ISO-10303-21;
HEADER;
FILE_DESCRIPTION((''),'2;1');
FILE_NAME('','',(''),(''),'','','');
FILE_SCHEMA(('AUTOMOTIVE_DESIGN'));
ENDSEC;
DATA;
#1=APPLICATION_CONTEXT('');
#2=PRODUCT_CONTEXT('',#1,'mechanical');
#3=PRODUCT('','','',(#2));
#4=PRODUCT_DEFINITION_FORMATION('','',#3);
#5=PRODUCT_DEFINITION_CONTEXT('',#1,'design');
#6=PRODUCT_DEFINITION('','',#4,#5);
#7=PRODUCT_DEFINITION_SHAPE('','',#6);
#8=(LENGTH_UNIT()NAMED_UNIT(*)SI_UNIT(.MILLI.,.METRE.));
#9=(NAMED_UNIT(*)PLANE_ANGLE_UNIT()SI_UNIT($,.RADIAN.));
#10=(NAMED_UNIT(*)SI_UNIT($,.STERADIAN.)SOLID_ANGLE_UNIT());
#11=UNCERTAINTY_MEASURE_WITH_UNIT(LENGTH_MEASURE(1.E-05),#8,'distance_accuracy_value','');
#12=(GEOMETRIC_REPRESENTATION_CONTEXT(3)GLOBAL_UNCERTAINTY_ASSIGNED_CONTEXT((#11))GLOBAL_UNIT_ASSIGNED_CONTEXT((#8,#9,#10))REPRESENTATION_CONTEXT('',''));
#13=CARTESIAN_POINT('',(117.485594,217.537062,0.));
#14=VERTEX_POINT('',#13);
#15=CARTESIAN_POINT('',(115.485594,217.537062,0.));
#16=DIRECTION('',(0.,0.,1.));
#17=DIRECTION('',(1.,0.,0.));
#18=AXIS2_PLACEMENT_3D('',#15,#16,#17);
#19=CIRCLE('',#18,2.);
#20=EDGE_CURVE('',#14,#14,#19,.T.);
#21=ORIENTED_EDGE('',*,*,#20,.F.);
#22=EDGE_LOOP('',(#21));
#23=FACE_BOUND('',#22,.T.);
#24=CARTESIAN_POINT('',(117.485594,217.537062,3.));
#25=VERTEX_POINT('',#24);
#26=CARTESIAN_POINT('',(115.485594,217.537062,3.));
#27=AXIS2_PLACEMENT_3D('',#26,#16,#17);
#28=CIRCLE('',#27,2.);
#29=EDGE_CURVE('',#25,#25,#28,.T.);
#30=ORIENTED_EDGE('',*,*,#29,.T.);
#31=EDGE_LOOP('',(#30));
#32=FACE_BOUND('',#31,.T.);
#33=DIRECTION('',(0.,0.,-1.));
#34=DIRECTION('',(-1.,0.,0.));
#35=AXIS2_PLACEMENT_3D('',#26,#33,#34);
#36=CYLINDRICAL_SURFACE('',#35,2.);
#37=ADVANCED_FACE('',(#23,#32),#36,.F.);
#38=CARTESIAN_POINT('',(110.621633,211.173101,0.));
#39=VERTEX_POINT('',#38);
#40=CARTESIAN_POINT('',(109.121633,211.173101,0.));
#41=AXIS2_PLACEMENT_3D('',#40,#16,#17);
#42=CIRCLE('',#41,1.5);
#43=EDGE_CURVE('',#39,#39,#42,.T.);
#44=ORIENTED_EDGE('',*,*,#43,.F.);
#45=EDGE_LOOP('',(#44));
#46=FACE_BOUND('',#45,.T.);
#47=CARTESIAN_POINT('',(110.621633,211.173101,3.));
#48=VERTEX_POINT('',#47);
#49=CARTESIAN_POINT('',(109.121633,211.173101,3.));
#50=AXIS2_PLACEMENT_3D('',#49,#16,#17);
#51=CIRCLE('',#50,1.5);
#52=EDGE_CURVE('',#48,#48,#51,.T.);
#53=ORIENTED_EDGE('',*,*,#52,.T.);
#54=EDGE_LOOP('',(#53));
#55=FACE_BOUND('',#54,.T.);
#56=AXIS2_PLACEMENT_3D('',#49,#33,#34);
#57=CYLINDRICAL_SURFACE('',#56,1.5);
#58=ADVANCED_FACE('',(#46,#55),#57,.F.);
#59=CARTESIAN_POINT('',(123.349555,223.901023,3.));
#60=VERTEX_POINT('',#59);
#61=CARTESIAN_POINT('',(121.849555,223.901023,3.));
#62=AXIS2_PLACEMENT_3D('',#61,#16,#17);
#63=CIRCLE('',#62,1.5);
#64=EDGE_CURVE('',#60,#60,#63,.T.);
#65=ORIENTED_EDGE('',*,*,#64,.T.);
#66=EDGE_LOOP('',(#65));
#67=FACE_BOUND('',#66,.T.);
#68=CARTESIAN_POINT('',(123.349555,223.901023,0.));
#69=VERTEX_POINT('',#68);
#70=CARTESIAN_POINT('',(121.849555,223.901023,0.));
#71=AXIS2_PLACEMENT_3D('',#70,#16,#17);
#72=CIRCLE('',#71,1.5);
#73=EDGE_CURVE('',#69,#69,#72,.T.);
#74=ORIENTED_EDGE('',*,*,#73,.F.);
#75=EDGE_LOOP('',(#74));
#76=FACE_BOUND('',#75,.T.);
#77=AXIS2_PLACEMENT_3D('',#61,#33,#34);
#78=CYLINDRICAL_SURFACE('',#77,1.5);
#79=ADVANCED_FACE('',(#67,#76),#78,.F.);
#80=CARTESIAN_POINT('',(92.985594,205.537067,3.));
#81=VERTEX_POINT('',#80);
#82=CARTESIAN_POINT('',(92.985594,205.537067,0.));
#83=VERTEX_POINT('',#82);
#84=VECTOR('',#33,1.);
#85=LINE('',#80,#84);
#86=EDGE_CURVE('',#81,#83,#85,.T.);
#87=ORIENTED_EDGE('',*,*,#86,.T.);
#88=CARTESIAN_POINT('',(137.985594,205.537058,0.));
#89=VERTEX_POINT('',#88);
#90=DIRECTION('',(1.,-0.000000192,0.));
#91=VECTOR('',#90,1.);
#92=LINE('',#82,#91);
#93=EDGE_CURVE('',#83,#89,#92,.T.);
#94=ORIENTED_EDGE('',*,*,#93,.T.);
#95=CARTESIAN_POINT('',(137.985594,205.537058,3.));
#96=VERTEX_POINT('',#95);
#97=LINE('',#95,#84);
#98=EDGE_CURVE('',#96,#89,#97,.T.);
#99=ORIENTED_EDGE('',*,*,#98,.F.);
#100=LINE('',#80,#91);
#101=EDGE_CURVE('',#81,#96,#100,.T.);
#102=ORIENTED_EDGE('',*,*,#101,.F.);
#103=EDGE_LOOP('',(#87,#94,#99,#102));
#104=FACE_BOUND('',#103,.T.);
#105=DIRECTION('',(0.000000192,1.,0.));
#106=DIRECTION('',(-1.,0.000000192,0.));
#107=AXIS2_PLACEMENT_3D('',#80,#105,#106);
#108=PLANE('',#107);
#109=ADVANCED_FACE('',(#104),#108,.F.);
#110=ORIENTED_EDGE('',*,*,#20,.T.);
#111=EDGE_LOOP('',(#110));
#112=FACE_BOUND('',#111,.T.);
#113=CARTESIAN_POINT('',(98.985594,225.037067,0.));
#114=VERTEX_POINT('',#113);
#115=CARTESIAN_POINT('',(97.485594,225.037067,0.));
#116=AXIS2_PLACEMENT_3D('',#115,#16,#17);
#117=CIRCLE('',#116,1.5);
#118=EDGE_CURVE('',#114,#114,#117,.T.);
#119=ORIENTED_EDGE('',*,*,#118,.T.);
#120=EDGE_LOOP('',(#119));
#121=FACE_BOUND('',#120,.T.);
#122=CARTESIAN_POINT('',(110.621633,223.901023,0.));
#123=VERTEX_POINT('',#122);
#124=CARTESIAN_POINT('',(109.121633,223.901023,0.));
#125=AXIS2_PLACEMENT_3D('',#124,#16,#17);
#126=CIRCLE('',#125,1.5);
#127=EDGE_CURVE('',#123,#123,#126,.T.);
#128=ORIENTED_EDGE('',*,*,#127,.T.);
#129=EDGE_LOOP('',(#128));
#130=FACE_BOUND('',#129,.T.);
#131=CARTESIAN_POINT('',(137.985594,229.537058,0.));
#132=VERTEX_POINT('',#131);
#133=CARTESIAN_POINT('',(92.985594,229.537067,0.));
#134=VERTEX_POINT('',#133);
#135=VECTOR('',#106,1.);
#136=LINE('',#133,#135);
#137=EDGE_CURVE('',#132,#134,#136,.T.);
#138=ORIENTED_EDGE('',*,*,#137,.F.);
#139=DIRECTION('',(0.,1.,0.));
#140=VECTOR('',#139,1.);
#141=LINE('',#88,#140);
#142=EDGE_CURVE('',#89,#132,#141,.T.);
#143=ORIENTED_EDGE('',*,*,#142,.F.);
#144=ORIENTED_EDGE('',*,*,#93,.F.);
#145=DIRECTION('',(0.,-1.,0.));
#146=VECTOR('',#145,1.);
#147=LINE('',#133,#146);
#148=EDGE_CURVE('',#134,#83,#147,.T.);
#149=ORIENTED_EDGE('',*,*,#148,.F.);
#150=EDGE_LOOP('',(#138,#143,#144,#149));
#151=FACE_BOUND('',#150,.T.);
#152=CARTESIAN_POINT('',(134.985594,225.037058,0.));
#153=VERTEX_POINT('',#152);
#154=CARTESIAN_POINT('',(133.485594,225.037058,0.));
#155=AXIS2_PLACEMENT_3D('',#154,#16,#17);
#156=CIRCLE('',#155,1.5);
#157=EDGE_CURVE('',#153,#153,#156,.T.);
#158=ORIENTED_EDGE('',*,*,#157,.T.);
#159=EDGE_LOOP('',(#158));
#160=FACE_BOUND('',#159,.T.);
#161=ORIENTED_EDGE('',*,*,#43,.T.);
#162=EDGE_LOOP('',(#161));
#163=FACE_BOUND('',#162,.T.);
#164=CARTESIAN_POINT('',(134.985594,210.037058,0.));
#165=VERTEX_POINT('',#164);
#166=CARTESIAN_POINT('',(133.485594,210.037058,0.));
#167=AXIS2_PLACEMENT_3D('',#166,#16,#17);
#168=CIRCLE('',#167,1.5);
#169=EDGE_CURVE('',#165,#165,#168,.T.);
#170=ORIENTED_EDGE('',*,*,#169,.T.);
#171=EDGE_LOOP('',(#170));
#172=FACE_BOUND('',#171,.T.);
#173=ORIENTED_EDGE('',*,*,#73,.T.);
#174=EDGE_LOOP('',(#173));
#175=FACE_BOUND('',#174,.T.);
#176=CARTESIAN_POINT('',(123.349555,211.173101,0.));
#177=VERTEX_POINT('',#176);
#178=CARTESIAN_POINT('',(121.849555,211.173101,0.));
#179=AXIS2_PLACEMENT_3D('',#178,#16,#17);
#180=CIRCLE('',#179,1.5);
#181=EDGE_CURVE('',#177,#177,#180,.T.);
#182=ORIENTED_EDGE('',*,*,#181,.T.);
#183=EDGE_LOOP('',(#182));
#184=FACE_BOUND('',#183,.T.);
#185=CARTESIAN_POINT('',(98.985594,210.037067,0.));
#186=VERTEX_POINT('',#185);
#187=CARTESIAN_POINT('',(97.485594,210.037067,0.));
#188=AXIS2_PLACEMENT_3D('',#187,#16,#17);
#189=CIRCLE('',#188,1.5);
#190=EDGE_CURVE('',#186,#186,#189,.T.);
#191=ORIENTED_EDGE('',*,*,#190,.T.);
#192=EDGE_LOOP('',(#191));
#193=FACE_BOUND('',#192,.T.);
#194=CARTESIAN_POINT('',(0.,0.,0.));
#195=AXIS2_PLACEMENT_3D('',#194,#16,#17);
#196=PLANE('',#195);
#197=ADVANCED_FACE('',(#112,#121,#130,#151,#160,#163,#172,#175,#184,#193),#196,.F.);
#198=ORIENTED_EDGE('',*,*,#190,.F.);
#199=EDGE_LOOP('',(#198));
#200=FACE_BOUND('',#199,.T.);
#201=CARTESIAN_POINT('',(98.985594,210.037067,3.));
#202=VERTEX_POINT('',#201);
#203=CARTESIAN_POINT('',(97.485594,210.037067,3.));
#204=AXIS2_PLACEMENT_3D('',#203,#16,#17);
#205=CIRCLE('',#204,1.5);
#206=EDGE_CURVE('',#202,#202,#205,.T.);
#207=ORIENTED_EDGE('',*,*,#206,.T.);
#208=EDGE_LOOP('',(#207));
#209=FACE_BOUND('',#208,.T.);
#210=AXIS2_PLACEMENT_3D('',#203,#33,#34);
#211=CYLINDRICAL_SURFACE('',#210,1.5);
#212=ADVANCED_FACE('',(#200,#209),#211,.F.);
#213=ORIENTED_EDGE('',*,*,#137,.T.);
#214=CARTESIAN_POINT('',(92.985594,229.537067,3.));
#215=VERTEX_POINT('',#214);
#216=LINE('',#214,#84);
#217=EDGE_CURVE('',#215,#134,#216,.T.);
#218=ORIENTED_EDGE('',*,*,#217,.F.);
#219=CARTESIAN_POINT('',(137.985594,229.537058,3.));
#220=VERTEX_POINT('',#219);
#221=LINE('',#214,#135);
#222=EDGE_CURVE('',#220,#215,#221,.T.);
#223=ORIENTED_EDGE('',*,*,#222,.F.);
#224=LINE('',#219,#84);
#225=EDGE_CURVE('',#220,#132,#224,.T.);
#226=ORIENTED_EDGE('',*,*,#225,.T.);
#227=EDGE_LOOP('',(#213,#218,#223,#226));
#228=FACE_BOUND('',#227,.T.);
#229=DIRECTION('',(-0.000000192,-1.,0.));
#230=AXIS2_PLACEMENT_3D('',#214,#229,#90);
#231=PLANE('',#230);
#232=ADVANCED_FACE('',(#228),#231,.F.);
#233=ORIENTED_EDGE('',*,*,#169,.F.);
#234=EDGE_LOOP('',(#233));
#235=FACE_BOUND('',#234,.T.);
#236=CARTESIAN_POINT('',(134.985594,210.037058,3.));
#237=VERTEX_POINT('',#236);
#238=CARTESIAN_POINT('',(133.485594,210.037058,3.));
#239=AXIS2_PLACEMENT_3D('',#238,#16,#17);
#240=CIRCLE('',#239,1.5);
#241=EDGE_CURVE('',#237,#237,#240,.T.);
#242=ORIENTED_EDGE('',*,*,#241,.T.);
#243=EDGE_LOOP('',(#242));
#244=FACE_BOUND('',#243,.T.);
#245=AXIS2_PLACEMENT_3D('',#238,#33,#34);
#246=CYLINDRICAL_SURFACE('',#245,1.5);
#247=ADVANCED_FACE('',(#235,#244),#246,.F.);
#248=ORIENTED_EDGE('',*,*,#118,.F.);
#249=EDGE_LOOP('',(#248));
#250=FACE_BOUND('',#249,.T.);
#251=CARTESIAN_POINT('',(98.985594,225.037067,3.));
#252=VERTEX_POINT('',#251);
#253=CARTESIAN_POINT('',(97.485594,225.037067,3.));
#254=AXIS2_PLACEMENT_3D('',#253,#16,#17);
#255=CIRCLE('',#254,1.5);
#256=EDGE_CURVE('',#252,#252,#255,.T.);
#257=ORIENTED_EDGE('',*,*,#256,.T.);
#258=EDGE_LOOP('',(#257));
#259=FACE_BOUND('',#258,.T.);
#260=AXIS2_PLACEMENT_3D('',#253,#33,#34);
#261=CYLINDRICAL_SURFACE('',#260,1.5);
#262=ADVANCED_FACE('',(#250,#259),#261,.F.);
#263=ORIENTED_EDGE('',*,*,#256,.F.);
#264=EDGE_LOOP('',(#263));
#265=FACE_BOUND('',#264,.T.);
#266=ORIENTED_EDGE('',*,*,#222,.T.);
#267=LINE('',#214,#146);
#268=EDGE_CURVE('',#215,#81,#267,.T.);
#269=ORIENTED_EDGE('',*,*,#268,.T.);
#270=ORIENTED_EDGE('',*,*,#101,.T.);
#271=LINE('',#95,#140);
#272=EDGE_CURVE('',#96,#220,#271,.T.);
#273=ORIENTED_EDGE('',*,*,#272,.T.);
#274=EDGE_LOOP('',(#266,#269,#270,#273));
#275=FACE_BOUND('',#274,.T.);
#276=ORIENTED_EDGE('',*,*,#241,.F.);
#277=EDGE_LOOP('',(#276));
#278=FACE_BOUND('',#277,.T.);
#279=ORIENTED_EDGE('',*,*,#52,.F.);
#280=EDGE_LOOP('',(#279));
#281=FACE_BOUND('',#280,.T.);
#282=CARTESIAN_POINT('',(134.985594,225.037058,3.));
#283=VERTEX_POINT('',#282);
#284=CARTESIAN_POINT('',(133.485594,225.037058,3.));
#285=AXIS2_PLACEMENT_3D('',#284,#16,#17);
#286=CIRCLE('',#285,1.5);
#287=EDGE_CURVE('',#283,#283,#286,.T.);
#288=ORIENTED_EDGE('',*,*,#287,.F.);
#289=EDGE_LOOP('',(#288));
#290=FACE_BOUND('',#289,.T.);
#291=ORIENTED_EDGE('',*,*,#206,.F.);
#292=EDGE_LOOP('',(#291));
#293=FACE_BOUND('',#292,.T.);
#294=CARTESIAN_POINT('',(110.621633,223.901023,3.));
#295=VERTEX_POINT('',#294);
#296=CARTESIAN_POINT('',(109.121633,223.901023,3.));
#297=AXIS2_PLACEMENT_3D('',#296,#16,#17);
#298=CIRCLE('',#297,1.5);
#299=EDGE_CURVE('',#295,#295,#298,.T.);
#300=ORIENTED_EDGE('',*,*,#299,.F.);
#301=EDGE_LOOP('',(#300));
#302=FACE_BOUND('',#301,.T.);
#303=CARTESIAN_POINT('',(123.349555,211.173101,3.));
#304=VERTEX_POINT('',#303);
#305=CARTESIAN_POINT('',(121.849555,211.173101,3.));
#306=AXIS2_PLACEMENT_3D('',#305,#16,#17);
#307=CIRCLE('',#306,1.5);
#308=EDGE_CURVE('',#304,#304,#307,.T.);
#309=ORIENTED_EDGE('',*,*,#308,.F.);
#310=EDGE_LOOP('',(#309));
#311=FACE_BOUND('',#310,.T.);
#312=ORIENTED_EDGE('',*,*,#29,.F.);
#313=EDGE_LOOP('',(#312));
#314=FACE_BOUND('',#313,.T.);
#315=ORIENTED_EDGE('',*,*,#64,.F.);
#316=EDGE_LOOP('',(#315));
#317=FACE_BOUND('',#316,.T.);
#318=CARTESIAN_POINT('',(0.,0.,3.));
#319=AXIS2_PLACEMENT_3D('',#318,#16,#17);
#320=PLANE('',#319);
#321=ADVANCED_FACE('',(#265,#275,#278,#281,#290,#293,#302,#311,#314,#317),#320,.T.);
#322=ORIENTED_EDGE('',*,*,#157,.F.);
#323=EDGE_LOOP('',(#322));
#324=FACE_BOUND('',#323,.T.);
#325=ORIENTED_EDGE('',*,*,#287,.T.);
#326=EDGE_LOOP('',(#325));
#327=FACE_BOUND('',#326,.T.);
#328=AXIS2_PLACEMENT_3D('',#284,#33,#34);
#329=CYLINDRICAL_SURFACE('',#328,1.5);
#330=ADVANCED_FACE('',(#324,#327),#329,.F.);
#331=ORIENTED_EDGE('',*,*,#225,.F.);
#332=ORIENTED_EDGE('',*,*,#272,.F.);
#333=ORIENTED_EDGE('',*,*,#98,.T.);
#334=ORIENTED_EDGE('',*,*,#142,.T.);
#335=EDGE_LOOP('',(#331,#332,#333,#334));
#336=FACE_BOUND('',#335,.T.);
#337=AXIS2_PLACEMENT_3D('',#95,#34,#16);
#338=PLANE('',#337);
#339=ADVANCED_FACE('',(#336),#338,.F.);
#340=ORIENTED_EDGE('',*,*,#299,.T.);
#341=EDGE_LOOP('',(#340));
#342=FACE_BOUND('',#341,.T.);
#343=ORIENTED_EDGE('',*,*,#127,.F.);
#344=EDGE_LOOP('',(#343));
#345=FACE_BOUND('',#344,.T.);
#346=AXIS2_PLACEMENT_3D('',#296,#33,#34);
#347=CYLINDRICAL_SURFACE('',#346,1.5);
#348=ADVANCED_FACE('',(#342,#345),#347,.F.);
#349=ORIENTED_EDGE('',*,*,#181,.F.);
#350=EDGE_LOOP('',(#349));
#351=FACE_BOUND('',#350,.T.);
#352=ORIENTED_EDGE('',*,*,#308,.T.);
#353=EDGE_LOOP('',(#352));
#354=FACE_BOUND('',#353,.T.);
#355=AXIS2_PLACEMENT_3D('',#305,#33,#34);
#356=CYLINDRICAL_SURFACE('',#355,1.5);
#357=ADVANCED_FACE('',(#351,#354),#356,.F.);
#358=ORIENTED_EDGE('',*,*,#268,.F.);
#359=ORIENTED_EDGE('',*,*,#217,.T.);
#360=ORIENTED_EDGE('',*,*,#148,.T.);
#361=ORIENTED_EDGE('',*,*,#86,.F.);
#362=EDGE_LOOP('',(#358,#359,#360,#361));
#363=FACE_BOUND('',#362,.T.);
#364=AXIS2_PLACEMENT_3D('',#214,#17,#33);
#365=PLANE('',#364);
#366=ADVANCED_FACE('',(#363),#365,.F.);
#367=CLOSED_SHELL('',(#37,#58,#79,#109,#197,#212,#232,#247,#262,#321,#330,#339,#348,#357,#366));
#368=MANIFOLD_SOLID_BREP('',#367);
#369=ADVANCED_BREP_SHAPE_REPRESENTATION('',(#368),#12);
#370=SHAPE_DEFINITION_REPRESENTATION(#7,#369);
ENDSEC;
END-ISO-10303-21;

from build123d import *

# Parameters (mm, degrees)
MODEL_R                 = 1.5
MODEL_R_2               = 2
SALIENTE_EXTRUIR1_DEPTH = 3


with BuildPart() as part:
    # Model → Saliente-Extruir1 (new body)
    with BuildSketch(Plane.XY):
        Polygon((92.985593985, 229.537066641), (137.985593985, 229.537057995), (137.985593985, 205.537057995), (92.985593985, 205.537066641), align=None)
        with Locations((109.121632955, 223.901023349)):
            Circle(MODEL_R, mode=Mode.SUBTRACT)
        with Locations((121.849555016, 211.173101287)):
            Circle(MODEL_R, mode=Mode.SUBTRACT)
        with Locations((121.849555016, 223.901023349)):
            Circle(MODEL_R, mode=Mode.SUBTRACT)
        with Locations((109.121632955, 211.173101287)):
            Circle(MODEL_R, mode=Mode.SUBTRACT)
        with Locations((115.485593985, 217.537062318)):
            Circle(MODEL_R_2, mode=Mode.SUBTRACT)
        with Locations((97.485593985, 225.037066641)):
            Circle(MODEL_R, mode=Mode.SUBTRACT)
        with Locations((97.485593985, 210.037066641)):
            Circle(MODEL_R, mode=Mode.SUBTRACT)
        with Locations((133.485593985, 225.037057995)):
            Circle(MODEL_R, mode=Mode.SUBTRACT)
        with Locations((133.485593985, 210.037057995)):
            Circle(MODEL_R, mode=Mode.SUBTRACT)
    extrude(amount=SALIENTE_EXTRUIR1_DEPTH)


solid = part.part
